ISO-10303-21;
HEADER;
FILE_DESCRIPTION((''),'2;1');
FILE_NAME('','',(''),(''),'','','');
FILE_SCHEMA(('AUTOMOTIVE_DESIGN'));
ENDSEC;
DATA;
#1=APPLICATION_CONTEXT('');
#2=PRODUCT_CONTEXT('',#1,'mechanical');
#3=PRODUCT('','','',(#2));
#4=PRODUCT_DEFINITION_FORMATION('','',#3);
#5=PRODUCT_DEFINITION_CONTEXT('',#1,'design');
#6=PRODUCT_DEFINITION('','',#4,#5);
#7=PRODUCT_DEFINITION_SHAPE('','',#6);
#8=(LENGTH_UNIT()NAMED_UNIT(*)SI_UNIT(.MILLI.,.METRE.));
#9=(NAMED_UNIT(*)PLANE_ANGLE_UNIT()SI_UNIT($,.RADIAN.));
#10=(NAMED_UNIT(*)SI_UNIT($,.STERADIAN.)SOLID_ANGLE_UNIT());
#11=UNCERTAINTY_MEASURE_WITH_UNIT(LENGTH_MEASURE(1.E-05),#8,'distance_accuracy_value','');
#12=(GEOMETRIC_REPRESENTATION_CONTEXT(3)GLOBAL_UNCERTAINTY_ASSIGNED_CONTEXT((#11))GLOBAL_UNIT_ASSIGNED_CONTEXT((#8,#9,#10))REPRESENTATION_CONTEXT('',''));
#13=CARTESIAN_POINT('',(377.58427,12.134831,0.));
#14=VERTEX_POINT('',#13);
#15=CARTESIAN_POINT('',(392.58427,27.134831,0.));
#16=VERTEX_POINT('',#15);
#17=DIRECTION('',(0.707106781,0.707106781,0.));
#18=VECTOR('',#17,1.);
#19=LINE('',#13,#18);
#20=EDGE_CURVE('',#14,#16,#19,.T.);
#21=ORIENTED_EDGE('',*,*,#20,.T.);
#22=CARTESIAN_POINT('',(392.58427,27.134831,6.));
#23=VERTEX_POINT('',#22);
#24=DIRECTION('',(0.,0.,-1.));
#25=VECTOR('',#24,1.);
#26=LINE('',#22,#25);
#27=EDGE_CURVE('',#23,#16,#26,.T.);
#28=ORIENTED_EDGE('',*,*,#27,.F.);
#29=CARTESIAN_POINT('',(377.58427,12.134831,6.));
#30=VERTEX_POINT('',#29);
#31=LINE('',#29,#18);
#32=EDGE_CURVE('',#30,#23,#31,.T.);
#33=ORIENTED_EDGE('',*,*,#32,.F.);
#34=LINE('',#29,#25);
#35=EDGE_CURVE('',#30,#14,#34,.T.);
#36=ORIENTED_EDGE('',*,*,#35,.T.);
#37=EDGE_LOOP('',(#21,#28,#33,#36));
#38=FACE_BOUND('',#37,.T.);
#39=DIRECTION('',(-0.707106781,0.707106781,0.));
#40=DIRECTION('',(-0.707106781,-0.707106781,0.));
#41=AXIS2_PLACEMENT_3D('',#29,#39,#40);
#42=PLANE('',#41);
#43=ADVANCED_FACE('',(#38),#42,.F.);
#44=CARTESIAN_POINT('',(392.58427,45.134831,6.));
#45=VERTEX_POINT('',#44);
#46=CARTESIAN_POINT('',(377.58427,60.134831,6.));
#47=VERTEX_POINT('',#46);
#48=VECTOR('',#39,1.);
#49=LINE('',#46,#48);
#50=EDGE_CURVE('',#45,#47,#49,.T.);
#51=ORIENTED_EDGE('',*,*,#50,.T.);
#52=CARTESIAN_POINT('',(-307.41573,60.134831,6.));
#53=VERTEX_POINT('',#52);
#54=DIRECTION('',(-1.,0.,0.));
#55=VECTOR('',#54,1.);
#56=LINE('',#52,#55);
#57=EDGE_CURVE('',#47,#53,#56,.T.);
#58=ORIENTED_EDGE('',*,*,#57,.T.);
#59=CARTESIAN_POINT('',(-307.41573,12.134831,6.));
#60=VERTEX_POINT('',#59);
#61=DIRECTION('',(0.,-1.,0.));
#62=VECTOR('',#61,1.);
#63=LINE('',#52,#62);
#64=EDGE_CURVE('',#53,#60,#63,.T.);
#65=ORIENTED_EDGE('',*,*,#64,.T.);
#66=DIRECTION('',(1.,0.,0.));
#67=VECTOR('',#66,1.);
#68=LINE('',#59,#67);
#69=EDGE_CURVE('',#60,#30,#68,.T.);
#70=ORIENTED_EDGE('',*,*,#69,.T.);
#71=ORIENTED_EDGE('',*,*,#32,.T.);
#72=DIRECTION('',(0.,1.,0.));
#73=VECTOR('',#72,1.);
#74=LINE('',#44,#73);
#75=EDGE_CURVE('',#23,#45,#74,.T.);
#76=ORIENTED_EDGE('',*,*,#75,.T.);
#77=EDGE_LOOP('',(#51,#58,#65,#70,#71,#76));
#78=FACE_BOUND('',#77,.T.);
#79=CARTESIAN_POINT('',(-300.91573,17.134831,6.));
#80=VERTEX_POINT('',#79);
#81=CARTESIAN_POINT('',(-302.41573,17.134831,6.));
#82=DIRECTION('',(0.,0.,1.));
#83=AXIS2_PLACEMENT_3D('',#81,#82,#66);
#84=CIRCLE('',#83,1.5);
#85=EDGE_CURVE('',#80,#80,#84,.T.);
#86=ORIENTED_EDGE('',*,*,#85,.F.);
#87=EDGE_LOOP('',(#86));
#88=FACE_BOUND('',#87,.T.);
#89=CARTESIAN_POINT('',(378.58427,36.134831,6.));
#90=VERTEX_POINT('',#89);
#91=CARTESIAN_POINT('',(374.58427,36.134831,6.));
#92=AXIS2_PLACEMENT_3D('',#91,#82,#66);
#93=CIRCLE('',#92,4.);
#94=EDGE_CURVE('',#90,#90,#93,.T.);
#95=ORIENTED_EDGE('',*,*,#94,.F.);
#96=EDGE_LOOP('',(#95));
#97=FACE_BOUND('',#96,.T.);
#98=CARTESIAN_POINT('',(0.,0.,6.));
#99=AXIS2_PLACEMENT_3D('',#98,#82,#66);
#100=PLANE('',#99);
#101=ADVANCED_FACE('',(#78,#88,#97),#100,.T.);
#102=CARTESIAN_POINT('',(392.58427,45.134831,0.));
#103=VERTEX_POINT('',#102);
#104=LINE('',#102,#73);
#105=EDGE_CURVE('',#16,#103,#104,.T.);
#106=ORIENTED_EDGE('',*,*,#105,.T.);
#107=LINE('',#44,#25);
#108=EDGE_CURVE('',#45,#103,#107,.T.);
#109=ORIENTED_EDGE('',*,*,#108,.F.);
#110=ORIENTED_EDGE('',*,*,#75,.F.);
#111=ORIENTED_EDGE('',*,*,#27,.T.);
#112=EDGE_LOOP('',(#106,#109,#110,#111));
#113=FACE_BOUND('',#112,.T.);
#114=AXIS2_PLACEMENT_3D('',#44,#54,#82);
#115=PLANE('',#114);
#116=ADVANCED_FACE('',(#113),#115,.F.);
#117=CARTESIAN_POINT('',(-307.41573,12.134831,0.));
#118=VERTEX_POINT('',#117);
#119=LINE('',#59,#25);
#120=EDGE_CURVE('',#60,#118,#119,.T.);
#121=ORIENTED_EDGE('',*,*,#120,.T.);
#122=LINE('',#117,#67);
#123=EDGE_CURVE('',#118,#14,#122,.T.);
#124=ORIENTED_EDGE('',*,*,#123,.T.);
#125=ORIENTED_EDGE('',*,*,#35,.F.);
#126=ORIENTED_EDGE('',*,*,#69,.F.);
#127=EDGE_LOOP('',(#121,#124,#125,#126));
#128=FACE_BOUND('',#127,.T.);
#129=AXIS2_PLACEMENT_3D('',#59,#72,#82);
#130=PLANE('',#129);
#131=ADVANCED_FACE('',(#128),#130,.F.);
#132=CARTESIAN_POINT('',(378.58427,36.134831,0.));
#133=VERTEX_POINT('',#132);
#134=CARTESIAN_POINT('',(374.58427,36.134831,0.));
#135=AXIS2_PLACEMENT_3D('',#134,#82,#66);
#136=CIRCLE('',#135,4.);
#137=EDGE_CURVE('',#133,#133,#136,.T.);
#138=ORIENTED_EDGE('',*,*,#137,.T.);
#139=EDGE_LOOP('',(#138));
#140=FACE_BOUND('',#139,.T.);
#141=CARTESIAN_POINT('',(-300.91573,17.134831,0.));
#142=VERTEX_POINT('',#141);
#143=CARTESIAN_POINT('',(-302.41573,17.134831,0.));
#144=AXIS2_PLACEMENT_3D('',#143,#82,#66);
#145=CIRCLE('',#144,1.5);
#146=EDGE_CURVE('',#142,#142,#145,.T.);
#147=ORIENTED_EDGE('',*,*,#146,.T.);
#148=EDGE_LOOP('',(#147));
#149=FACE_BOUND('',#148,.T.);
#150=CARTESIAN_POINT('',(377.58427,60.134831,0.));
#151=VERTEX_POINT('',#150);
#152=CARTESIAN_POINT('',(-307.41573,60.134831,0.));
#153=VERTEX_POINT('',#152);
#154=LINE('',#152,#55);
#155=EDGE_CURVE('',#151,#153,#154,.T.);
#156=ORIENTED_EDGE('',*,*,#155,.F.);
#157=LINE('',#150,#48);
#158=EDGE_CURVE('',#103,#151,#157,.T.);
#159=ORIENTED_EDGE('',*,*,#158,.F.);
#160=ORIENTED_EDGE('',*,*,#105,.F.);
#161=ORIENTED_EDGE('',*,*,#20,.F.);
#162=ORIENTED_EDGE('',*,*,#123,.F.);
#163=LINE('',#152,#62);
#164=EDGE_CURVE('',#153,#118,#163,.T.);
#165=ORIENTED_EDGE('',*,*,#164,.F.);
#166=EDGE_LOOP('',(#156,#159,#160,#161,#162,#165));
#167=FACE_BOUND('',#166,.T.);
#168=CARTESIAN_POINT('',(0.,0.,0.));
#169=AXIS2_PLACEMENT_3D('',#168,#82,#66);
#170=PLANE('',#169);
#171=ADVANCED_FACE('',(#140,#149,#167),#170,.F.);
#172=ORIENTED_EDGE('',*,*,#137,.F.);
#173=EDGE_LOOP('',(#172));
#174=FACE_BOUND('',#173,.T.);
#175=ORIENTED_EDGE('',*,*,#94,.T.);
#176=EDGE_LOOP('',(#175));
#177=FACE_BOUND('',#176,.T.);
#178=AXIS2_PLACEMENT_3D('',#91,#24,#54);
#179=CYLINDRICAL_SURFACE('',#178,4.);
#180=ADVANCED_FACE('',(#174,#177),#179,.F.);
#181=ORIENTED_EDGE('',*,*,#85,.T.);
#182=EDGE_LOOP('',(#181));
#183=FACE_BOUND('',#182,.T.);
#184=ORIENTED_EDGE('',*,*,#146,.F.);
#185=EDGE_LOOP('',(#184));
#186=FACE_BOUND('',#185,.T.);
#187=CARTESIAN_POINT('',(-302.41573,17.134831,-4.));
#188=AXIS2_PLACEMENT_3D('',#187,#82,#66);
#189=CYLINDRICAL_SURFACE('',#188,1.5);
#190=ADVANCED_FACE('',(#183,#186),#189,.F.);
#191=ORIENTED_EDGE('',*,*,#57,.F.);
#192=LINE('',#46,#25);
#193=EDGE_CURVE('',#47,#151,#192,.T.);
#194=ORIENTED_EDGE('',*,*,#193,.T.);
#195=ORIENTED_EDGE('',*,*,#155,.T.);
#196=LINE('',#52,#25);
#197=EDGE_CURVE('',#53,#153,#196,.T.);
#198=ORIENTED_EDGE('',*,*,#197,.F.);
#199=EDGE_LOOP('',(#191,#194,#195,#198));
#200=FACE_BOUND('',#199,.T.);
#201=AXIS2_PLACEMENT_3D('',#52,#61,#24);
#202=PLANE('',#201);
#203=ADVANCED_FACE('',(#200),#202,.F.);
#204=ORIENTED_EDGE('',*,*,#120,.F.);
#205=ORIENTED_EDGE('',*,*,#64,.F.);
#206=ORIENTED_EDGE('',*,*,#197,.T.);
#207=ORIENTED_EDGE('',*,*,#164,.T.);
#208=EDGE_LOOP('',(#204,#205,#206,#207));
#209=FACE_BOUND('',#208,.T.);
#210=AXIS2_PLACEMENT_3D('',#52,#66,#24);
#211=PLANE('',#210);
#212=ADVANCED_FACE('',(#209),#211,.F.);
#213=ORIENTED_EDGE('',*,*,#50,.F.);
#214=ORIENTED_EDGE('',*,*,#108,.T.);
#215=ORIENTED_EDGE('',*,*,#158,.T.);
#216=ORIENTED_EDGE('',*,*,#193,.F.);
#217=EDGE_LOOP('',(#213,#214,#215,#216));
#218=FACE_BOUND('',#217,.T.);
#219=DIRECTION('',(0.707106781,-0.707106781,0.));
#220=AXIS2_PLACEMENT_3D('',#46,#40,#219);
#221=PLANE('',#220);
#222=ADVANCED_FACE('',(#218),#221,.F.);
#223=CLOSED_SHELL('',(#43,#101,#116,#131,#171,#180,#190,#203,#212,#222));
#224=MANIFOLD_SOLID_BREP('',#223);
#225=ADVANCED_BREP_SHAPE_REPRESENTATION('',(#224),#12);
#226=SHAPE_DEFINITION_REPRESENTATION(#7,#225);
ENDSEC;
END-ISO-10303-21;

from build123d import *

# Parameters (mm, degrees)
SKETCH1_R           = 4
BOSS_EXTRUDE1_DEPTH = 6
SKETCH2_R           = 1.5
CUT_EXTRUDE1_DEPTH  = 10


with BuildPart() as part:
    # Sketch1 → Boss-Extrude1 (new body)
    with BuildSketch(Plane.XY):
        Polygon((377.584269663, 60.134831461), (392.584269663, 45.134831461), (392.584269663, 27.134831461), (377.584269663, 12.134831461), (-307.415730337, 12.134831461), (-307.415730337, 60.134831461), align=None)
        with Locations((374.584269663, 36.134831461)):
            Circle(SKETCH1_R, mode=Mode.SUBTRACT)
    extrude(amount=BOSS_EXTRUDE1_DEPTH)

    # Sketch2 → Cut-Extrude1 (cut)
    with BuildSketch(Plane.XY.offset(6)):
        with Locations((-302.415730337, 17.134831461)):
            Circle(SKETCH2_R)
    extrude(amount=-CUT_EXTRUDE1_DEPTH, mode=Mode.SUBTRACT)


solid = part.part
